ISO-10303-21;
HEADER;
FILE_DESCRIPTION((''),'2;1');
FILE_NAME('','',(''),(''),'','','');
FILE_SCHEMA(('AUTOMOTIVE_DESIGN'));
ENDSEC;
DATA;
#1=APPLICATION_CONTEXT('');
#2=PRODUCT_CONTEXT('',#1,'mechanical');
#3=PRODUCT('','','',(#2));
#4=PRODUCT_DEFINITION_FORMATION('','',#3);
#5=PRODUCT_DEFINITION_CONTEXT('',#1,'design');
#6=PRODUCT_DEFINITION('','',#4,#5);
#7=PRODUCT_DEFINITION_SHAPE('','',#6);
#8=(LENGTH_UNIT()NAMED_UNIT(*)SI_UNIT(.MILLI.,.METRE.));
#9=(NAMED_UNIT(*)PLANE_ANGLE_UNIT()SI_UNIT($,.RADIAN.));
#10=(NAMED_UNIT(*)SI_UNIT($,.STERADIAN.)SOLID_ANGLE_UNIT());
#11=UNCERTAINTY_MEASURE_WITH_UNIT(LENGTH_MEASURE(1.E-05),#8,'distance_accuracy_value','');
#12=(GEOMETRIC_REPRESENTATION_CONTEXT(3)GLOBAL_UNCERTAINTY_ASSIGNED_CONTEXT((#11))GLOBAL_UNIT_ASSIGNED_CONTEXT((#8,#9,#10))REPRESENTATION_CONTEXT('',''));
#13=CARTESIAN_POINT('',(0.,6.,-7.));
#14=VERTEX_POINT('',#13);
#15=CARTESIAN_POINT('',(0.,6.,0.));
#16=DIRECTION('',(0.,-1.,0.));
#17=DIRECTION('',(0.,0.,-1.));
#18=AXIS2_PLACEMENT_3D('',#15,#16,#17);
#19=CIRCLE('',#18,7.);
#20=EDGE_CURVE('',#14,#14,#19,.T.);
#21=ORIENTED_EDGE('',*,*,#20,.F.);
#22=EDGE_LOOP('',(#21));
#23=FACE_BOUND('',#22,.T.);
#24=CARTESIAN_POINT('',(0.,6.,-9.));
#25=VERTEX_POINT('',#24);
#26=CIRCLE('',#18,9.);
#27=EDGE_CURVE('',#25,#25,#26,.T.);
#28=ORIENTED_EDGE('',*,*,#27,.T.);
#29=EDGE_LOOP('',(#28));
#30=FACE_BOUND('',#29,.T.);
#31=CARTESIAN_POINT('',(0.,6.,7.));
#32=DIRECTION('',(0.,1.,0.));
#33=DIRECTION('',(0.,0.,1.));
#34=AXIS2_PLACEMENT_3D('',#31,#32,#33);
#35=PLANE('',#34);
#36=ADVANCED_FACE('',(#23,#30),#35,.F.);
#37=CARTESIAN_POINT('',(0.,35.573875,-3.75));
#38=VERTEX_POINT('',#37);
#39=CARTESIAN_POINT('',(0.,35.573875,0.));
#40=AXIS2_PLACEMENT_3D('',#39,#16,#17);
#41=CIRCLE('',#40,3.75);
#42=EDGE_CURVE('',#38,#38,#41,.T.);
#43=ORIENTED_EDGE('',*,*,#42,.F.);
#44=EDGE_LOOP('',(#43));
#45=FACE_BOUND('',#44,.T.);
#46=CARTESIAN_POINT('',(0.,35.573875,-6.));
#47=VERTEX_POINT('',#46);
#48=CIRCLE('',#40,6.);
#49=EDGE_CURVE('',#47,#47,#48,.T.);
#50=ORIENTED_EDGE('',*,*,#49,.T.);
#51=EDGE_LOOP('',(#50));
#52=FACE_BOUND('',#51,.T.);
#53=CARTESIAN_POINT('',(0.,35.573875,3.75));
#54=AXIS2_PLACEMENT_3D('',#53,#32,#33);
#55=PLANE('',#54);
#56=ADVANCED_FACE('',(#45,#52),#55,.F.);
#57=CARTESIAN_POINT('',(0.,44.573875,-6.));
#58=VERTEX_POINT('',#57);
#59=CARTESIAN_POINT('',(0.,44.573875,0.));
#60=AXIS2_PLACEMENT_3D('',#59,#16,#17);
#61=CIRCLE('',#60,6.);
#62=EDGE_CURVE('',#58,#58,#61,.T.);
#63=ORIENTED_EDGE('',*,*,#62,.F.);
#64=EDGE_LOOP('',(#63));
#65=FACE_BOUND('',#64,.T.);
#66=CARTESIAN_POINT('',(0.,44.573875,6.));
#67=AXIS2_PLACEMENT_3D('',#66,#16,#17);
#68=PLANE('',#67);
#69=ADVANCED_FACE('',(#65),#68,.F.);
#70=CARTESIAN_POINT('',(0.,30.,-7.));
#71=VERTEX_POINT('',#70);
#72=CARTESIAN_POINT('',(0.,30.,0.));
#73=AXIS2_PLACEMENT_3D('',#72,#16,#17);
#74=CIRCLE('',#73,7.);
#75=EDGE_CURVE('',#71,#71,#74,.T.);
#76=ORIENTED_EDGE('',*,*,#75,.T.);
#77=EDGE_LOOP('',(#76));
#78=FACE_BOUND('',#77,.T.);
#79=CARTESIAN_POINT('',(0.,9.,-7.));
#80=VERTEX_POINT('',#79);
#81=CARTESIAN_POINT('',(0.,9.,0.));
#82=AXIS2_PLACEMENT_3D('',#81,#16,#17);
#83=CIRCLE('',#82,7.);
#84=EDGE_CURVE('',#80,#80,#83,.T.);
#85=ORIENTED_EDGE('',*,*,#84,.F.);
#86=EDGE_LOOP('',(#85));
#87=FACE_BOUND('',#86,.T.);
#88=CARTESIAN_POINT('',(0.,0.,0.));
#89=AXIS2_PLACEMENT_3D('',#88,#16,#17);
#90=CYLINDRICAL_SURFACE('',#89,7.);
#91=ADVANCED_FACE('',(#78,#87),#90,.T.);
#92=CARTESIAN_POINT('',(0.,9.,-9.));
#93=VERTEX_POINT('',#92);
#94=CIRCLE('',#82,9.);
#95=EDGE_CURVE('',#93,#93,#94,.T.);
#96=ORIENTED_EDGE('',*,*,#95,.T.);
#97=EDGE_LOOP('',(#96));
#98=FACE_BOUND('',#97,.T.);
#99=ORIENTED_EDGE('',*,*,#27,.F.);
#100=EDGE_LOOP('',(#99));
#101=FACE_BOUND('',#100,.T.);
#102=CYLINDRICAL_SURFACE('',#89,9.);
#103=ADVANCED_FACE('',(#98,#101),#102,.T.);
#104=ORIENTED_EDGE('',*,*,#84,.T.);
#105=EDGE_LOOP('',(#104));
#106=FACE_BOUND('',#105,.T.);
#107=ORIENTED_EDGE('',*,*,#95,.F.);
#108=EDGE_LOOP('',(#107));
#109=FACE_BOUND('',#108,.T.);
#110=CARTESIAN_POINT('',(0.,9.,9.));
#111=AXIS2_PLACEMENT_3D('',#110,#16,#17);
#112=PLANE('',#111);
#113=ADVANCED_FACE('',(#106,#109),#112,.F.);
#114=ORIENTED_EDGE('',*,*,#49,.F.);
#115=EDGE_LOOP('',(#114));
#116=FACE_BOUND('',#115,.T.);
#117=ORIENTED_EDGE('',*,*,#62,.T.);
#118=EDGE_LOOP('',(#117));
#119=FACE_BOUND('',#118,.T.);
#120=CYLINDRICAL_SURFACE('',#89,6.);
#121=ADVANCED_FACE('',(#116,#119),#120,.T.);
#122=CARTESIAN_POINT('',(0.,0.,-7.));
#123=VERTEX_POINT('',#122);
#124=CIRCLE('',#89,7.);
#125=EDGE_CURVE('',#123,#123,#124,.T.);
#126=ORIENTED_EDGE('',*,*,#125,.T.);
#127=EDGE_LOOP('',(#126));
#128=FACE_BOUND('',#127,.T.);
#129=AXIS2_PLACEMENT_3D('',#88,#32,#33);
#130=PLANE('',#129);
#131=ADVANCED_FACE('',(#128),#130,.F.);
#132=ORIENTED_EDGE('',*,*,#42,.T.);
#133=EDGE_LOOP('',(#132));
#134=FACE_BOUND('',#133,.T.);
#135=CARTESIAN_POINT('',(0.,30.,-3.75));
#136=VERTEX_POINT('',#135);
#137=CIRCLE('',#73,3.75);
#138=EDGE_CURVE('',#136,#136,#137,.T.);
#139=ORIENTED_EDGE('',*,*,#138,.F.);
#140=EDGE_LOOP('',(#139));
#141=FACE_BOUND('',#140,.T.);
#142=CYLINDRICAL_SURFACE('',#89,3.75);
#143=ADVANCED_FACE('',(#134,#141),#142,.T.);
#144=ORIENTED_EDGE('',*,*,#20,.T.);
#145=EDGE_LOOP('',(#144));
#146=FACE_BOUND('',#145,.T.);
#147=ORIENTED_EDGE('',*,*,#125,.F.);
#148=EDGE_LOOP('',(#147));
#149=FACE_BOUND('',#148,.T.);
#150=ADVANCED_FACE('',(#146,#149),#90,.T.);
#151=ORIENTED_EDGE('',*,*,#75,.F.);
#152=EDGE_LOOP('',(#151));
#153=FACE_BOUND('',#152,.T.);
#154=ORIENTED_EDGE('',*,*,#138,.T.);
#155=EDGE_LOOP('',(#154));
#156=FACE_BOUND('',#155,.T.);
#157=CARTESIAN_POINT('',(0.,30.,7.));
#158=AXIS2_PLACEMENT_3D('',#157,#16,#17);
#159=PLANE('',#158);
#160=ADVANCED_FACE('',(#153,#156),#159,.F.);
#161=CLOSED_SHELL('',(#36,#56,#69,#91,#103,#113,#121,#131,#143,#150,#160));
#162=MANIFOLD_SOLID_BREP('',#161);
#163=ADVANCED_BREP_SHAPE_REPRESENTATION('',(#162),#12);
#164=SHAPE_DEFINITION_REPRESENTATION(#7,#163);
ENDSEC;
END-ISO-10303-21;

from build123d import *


with BuildPart() as part:
    # Sketch1 → Revolve1 (revolve)
    with BuildSketch(Plane(origin=(0, 0, 0), x_dir=(0, 0, -1), z_dir=(1, 0, 0))):
        Polygon((0, 0), (-7, 0), (-7, 6), (-9, 6), (-9, 9), (-7, 9), (-7, 30), (-3.75, 30), (-3.75, 35.573874856), (-6, 35.573874856), (-6, 44.573874856), (0, 44.573874856), align=None)
    revolve(axis=Axis((0, 0, 0), (0, 1, 0)))


solid = part.part
